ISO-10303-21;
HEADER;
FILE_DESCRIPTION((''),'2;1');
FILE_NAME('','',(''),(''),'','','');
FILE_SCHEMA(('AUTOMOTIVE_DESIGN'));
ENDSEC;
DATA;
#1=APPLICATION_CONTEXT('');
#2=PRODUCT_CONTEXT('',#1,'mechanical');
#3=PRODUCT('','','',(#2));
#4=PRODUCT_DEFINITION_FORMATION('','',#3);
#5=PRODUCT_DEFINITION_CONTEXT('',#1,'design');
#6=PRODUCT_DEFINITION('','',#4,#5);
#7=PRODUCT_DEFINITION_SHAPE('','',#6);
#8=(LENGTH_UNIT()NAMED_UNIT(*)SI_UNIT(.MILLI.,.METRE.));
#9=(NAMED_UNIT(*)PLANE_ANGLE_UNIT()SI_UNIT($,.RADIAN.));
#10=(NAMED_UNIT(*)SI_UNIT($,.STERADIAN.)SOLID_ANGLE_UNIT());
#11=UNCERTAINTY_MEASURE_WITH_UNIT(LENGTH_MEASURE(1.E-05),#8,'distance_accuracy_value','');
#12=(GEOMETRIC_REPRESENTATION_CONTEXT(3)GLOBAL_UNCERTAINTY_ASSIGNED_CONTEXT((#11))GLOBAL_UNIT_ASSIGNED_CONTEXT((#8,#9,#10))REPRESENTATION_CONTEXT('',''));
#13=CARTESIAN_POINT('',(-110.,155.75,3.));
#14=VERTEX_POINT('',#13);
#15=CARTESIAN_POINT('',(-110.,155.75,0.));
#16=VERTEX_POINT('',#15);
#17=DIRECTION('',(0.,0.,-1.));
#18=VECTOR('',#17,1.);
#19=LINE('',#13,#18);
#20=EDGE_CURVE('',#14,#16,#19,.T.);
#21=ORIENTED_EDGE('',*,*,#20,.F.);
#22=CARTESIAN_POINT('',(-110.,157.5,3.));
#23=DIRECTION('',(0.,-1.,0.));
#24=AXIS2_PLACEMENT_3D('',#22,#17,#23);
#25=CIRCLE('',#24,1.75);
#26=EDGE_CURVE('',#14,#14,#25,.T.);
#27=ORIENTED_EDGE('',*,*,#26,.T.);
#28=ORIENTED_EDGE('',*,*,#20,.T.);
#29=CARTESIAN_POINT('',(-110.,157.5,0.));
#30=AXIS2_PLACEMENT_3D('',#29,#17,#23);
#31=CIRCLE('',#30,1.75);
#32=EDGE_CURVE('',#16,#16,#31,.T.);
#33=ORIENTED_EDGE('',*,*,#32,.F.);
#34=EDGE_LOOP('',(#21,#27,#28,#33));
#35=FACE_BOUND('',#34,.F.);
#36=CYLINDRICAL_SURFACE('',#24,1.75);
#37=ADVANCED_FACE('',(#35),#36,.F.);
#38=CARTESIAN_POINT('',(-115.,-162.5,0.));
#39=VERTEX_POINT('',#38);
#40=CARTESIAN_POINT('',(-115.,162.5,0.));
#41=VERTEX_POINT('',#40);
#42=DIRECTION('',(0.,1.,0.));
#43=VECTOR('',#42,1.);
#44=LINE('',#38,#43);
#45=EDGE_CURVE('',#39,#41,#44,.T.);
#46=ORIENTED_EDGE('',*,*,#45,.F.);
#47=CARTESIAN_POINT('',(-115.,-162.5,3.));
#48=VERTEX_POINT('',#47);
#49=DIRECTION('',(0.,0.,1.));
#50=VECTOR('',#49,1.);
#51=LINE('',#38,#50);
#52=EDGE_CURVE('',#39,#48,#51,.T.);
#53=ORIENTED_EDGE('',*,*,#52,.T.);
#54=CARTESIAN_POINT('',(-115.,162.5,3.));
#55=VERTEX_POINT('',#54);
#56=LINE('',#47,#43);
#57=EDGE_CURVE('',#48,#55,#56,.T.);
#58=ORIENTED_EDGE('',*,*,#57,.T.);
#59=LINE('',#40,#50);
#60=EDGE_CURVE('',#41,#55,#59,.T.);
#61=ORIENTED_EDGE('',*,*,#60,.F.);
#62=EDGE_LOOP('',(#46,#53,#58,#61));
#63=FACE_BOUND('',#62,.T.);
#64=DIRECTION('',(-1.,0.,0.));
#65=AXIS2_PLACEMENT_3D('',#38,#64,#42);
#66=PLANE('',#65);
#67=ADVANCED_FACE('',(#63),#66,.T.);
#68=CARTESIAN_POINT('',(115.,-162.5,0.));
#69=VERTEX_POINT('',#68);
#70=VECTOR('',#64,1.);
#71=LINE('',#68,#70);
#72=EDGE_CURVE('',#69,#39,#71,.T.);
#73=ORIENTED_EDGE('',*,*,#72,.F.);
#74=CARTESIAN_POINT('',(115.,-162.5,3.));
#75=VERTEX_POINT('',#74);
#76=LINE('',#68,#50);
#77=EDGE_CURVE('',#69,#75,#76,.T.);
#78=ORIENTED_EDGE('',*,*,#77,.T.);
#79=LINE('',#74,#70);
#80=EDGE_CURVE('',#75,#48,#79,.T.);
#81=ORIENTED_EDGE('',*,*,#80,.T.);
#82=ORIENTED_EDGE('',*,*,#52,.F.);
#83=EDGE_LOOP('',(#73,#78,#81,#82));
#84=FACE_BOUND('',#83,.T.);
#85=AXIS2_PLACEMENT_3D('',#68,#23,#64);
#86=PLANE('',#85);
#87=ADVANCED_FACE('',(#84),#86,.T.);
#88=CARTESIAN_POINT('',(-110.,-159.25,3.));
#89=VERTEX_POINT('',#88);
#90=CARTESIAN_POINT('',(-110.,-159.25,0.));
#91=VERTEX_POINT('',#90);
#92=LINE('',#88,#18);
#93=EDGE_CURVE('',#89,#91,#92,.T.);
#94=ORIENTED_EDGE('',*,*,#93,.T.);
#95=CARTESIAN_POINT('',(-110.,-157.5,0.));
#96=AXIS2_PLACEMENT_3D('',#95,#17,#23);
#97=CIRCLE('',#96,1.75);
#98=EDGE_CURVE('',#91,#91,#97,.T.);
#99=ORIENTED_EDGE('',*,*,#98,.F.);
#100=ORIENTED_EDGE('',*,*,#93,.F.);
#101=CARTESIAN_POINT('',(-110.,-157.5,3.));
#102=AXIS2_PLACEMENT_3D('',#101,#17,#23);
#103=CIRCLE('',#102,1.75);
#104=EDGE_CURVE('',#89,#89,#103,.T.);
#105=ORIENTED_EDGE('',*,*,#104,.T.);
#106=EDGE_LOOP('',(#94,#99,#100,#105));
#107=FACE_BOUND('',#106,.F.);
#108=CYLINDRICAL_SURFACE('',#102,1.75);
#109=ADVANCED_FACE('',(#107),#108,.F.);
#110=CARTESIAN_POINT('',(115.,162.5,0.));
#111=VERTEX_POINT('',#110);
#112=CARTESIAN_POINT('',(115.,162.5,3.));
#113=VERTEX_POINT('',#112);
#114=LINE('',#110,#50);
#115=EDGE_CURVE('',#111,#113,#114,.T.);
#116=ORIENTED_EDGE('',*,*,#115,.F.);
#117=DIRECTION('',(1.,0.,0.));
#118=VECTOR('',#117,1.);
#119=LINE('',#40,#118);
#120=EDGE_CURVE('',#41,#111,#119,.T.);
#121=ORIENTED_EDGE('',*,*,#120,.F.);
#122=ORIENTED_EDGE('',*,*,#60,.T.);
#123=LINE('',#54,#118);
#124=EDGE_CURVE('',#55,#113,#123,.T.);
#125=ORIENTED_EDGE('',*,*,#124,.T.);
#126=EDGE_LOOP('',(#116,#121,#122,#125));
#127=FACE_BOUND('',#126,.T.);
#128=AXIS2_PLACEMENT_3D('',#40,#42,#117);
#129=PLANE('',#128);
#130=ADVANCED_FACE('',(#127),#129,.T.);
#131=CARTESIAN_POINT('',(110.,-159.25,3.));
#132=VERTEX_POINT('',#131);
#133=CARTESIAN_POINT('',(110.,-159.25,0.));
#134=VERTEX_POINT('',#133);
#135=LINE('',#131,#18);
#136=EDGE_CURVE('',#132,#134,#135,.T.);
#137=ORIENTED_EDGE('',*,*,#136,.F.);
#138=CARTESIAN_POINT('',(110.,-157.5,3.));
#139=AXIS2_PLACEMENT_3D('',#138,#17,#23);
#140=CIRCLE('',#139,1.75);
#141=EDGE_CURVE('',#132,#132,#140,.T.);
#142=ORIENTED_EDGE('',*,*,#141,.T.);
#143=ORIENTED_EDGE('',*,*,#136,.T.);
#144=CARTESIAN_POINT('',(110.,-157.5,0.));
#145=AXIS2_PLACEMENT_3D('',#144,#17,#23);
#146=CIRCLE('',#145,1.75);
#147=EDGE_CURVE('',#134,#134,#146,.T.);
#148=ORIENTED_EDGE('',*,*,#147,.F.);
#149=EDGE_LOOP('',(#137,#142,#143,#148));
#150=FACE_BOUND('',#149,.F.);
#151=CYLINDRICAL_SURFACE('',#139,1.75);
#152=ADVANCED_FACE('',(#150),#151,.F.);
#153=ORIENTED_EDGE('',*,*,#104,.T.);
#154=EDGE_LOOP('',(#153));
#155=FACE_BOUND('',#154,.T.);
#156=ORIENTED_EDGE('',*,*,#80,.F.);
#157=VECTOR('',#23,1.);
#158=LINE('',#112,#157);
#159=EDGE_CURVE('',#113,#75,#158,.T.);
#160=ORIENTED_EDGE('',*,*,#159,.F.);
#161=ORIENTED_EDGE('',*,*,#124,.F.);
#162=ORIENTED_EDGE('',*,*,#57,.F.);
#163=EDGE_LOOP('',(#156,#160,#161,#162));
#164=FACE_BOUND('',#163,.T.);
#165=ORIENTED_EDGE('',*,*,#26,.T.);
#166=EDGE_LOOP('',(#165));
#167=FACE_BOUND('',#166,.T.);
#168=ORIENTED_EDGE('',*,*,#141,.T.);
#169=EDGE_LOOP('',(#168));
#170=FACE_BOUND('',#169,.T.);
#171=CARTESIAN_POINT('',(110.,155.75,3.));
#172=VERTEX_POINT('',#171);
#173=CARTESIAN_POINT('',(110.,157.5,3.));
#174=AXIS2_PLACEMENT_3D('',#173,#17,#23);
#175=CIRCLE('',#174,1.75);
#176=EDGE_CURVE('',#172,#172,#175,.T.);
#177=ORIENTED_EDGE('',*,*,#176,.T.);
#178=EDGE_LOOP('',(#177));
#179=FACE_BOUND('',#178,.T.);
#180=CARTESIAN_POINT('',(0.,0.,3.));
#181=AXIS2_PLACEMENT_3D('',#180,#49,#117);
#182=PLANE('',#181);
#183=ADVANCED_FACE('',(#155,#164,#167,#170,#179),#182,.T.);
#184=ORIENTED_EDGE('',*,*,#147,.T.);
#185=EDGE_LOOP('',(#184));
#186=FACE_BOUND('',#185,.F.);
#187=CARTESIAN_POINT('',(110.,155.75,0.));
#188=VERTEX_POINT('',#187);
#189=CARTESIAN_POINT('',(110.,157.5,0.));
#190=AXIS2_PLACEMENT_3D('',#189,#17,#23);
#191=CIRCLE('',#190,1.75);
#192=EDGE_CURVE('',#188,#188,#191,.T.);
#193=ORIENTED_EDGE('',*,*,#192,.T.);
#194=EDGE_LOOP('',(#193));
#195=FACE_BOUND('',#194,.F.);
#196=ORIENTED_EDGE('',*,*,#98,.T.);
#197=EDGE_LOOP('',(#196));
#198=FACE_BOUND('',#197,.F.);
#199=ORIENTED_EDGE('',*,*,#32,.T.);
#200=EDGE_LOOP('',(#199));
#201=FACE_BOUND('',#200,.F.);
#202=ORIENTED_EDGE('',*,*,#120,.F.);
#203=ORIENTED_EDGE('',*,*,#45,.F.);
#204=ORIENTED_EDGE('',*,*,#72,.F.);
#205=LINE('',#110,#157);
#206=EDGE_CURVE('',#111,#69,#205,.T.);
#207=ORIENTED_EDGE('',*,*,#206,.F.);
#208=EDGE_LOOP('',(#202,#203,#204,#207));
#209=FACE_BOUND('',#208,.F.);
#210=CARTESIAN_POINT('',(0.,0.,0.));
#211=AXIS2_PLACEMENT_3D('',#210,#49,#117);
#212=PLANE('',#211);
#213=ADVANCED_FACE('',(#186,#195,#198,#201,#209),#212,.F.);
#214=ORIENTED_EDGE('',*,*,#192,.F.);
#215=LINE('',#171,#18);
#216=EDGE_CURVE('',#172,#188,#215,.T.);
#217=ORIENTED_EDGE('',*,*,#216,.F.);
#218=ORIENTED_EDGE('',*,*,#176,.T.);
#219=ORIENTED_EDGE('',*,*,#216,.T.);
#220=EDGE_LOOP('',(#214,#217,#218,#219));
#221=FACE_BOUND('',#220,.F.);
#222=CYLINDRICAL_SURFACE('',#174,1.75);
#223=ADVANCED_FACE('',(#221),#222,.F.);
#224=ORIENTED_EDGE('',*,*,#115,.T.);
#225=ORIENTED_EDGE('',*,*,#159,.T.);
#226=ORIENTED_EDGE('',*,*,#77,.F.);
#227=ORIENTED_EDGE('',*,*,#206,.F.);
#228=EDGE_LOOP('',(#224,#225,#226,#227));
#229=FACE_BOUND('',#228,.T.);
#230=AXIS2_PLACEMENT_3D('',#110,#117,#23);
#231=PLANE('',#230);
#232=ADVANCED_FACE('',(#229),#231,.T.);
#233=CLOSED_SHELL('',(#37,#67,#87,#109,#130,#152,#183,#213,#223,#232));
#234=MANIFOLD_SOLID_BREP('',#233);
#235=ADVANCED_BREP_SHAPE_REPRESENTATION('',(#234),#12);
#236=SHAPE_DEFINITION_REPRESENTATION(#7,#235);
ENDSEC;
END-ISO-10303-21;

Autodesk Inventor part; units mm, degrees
ref_plane "YZ Plane" through (0, 0, 0) normal (1, 0, 0) x (0, 1, 0)
ref_plane "XZ Plane" through (0, 0, 0) normal (0, 1, 0) x (-1, 0, 0)
ref_plane "XY Plane" through (0, 0, 0) normal (0, 0, 1) x (1, 0, 0)
sketch "Sketch1" plane through (0, 0, 0) normal (0, 0, 1) x (1, 0, 0)
  line L0 (-115, 162.5) -> (115, 162.5)
  line L1 (115, 162.5) -> (115, -162.5)
  line L2 (115, -162.5) -> (-115, -162.5)
  line L3 (-115, -162.5) -> (-115, 162.5)
  point P0 (0, 0)
  point P1 (0, 162.5)
  point P2 (-115, 0)
  dimension "d0" = 230
  dimension "d1" = 325
extrude "Extrusion1" add sketch "Sketch1" along normal blind 3
sketch "Sketch2" plane through (0, 0, 3) normal (0, 0, 1) x (1, 0, 0)
  line L0 (-110, -157.5) -> (110, -157.5) construction
  line L1 (110, -157.5) -> (110, 157.5) construction
  line L2 (110, 157.5) -> (-110, 157.5) construction
  line L3 (-110, 157.5) -> (-110, -157.5) construction
  line L4 (-115, 162.5) -> (-115, -162.5) construction
  line L5 (115, 162.5) -> (-115, 162.5) construction
  point P0 (0, 0)
  point P1 (-110, 0)
  point P2 (-115, 0)
  point P3 (-115, 0)
  point P4 (0, 157.5)
  point P5 (0, 162.5)
  dimension "d4" = 5
  dimension "d5" = 5
hole "Hole1" at (-110, -157.5, 3) at (-110, 157.5, 3) at (110, 157.5, 3) at (110, -157.5, 3) direction (0, 0, -1) diameter 3.5 end through all
properties part number "0005-10-013 Bed" material "Aluminum 6061"
